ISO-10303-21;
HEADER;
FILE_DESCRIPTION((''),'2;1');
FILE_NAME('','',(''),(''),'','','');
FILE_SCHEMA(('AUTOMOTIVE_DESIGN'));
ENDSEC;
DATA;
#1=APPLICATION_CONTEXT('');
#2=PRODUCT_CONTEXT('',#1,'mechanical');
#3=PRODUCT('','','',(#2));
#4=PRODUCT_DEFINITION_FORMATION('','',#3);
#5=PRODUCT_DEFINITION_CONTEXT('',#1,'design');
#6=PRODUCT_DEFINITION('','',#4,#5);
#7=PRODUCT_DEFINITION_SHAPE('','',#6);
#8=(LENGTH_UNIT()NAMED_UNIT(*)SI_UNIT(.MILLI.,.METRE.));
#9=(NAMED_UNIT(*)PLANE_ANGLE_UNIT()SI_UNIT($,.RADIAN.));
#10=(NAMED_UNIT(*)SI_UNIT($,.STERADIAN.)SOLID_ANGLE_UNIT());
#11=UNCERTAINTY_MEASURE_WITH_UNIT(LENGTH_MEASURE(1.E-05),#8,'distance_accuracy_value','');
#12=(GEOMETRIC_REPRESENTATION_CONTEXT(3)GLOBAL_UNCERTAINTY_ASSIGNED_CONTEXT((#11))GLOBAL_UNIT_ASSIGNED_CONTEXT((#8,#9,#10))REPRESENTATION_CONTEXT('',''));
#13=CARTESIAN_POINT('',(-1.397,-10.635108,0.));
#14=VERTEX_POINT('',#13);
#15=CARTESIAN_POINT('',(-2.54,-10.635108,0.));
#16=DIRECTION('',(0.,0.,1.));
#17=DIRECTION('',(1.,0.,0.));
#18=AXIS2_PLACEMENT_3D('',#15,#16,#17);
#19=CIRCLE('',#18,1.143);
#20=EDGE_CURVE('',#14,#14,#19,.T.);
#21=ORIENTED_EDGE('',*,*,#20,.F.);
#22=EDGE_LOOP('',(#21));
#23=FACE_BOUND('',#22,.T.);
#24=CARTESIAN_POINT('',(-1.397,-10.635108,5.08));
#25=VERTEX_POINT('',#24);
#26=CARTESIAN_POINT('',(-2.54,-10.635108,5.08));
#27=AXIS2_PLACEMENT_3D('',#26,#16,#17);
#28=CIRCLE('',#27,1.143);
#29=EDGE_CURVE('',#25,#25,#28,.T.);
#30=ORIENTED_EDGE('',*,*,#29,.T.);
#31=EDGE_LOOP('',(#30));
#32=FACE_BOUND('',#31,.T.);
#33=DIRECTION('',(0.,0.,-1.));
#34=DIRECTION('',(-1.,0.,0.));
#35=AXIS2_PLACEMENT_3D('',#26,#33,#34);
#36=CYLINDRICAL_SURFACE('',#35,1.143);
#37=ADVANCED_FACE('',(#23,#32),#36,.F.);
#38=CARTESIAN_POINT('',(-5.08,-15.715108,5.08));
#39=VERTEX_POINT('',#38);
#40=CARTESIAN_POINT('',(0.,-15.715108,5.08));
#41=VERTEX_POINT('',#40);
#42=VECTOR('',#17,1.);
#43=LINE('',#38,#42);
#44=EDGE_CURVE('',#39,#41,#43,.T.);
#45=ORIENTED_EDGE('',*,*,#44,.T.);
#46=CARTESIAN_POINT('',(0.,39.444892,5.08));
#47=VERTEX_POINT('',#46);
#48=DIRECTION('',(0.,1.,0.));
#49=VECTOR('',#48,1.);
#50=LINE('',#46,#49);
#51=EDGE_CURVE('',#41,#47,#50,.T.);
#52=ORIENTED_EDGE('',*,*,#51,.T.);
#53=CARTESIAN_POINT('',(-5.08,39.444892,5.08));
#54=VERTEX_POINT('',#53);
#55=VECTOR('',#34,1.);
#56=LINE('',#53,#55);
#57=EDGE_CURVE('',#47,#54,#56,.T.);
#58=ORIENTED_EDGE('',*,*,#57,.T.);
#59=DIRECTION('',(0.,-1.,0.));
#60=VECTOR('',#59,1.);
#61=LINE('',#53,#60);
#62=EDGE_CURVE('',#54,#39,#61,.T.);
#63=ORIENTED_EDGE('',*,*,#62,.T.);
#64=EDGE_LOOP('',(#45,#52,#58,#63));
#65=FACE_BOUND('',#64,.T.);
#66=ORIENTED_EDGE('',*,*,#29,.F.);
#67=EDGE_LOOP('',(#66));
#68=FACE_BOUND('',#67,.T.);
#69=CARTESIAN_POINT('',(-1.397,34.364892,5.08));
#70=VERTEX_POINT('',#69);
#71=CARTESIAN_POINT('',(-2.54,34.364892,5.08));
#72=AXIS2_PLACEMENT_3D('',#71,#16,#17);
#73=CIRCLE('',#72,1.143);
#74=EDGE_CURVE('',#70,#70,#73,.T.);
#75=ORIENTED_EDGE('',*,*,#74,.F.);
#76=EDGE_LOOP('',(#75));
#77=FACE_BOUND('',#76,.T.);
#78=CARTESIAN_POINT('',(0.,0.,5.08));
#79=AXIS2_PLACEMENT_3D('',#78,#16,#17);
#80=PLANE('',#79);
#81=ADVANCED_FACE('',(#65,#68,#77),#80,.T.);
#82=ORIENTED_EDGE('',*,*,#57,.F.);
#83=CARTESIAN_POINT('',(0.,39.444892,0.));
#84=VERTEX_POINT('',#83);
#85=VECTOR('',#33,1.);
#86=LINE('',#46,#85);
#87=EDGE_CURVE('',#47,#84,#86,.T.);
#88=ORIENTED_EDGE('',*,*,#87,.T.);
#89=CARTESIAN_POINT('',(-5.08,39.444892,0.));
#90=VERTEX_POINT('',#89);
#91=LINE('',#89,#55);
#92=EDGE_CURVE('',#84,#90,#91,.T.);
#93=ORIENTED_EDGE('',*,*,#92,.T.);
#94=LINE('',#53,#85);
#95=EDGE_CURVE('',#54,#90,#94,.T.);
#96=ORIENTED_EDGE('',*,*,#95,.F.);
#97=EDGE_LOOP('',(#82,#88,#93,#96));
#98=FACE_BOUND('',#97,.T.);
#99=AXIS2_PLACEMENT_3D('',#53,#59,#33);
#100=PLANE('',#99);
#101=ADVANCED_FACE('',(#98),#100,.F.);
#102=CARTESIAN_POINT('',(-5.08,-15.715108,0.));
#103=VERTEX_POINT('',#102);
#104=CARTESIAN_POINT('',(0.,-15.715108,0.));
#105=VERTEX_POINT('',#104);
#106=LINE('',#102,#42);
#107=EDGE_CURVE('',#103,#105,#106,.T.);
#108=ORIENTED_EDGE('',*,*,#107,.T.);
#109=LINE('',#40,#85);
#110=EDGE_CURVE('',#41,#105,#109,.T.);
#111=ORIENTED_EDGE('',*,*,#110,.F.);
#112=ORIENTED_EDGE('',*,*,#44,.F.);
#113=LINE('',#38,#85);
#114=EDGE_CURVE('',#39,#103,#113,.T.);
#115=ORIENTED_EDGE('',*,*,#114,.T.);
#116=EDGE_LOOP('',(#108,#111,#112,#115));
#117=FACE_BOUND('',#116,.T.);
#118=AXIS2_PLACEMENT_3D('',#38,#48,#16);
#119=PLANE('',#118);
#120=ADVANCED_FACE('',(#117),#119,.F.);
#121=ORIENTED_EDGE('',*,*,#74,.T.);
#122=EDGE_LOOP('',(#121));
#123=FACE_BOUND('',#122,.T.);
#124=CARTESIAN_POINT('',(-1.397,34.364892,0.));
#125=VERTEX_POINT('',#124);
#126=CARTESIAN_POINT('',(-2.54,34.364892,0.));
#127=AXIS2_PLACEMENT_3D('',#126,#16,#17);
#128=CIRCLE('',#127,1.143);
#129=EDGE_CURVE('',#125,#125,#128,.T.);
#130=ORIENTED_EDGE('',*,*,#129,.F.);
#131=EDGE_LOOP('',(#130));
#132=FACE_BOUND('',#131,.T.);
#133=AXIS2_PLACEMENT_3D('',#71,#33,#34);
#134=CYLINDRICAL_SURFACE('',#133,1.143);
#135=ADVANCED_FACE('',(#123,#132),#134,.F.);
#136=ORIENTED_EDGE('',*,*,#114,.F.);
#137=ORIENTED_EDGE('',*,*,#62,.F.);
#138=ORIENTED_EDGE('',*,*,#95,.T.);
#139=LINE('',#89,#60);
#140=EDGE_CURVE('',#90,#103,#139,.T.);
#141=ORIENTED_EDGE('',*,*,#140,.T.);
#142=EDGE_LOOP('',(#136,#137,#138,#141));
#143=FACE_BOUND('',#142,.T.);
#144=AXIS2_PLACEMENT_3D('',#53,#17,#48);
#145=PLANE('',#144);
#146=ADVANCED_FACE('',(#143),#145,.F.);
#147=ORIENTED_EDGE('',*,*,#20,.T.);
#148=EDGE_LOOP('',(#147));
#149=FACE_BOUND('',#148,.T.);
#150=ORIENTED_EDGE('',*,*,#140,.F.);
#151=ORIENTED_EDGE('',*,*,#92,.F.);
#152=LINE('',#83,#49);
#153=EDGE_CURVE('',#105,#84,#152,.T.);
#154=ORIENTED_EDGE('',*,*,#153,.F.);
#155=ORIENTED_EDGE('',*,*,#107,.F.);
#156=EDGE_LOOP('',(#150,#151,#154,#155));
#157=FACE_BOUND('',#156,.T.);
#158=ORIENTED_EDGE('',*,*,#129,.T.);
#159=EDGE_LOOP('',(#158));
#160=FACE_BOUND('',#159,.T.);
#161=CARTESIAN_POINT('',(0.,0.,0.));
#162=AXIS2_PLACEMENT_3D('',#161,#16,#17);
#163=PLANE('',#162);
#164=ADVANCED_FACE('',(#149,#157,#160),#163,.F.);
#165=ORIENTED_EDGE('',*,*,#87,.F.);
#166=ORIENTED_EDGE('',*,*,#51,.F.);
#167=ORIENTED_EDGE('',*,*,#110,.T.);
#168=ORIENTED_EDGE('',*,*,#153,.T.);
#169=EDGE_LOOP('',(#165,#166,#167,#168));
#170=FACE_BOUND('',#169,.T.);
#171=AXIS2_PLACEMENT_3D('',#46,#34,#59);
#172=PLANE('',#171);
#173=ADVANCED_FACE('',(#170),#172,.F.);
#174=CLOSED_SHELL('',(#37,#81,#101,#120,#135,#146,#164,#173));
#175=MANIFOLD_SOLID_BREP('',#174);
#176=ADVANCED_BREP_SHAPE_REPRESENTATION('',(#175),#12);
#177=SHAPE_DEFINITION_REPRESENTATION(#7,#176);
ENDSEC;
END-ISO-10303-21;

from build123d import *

# Parameters (mm, degrees)
SKETCH1_W           = 5.08
SKETCH1_H           = 55.16
SKETCH1_R           = 1.143
BOSS_EXTRUDE1_DEPTH = 5.08


with BuildPart() as part:
    # Sketch1 → Boss-Extrude1 (new body)
    with BuildSketch(Plane.XY):
        with Locations((-2.54, 11.864892086)):
            Rectangle(SKETCH1_W, SKETCH1_H)
        with Locations((-2.54, 34.364892086)):
            Circle(SKETCH1_R, mode=Mode.SUBTRACT)
        with Locations((-2.54, -10.635107914)):
            Circle(SKETCH1_R, mode=Mode.SUBTRACT)
    extrude(amount=BOSS_EXTRUDE1_DEPTH)


solid = part.part
